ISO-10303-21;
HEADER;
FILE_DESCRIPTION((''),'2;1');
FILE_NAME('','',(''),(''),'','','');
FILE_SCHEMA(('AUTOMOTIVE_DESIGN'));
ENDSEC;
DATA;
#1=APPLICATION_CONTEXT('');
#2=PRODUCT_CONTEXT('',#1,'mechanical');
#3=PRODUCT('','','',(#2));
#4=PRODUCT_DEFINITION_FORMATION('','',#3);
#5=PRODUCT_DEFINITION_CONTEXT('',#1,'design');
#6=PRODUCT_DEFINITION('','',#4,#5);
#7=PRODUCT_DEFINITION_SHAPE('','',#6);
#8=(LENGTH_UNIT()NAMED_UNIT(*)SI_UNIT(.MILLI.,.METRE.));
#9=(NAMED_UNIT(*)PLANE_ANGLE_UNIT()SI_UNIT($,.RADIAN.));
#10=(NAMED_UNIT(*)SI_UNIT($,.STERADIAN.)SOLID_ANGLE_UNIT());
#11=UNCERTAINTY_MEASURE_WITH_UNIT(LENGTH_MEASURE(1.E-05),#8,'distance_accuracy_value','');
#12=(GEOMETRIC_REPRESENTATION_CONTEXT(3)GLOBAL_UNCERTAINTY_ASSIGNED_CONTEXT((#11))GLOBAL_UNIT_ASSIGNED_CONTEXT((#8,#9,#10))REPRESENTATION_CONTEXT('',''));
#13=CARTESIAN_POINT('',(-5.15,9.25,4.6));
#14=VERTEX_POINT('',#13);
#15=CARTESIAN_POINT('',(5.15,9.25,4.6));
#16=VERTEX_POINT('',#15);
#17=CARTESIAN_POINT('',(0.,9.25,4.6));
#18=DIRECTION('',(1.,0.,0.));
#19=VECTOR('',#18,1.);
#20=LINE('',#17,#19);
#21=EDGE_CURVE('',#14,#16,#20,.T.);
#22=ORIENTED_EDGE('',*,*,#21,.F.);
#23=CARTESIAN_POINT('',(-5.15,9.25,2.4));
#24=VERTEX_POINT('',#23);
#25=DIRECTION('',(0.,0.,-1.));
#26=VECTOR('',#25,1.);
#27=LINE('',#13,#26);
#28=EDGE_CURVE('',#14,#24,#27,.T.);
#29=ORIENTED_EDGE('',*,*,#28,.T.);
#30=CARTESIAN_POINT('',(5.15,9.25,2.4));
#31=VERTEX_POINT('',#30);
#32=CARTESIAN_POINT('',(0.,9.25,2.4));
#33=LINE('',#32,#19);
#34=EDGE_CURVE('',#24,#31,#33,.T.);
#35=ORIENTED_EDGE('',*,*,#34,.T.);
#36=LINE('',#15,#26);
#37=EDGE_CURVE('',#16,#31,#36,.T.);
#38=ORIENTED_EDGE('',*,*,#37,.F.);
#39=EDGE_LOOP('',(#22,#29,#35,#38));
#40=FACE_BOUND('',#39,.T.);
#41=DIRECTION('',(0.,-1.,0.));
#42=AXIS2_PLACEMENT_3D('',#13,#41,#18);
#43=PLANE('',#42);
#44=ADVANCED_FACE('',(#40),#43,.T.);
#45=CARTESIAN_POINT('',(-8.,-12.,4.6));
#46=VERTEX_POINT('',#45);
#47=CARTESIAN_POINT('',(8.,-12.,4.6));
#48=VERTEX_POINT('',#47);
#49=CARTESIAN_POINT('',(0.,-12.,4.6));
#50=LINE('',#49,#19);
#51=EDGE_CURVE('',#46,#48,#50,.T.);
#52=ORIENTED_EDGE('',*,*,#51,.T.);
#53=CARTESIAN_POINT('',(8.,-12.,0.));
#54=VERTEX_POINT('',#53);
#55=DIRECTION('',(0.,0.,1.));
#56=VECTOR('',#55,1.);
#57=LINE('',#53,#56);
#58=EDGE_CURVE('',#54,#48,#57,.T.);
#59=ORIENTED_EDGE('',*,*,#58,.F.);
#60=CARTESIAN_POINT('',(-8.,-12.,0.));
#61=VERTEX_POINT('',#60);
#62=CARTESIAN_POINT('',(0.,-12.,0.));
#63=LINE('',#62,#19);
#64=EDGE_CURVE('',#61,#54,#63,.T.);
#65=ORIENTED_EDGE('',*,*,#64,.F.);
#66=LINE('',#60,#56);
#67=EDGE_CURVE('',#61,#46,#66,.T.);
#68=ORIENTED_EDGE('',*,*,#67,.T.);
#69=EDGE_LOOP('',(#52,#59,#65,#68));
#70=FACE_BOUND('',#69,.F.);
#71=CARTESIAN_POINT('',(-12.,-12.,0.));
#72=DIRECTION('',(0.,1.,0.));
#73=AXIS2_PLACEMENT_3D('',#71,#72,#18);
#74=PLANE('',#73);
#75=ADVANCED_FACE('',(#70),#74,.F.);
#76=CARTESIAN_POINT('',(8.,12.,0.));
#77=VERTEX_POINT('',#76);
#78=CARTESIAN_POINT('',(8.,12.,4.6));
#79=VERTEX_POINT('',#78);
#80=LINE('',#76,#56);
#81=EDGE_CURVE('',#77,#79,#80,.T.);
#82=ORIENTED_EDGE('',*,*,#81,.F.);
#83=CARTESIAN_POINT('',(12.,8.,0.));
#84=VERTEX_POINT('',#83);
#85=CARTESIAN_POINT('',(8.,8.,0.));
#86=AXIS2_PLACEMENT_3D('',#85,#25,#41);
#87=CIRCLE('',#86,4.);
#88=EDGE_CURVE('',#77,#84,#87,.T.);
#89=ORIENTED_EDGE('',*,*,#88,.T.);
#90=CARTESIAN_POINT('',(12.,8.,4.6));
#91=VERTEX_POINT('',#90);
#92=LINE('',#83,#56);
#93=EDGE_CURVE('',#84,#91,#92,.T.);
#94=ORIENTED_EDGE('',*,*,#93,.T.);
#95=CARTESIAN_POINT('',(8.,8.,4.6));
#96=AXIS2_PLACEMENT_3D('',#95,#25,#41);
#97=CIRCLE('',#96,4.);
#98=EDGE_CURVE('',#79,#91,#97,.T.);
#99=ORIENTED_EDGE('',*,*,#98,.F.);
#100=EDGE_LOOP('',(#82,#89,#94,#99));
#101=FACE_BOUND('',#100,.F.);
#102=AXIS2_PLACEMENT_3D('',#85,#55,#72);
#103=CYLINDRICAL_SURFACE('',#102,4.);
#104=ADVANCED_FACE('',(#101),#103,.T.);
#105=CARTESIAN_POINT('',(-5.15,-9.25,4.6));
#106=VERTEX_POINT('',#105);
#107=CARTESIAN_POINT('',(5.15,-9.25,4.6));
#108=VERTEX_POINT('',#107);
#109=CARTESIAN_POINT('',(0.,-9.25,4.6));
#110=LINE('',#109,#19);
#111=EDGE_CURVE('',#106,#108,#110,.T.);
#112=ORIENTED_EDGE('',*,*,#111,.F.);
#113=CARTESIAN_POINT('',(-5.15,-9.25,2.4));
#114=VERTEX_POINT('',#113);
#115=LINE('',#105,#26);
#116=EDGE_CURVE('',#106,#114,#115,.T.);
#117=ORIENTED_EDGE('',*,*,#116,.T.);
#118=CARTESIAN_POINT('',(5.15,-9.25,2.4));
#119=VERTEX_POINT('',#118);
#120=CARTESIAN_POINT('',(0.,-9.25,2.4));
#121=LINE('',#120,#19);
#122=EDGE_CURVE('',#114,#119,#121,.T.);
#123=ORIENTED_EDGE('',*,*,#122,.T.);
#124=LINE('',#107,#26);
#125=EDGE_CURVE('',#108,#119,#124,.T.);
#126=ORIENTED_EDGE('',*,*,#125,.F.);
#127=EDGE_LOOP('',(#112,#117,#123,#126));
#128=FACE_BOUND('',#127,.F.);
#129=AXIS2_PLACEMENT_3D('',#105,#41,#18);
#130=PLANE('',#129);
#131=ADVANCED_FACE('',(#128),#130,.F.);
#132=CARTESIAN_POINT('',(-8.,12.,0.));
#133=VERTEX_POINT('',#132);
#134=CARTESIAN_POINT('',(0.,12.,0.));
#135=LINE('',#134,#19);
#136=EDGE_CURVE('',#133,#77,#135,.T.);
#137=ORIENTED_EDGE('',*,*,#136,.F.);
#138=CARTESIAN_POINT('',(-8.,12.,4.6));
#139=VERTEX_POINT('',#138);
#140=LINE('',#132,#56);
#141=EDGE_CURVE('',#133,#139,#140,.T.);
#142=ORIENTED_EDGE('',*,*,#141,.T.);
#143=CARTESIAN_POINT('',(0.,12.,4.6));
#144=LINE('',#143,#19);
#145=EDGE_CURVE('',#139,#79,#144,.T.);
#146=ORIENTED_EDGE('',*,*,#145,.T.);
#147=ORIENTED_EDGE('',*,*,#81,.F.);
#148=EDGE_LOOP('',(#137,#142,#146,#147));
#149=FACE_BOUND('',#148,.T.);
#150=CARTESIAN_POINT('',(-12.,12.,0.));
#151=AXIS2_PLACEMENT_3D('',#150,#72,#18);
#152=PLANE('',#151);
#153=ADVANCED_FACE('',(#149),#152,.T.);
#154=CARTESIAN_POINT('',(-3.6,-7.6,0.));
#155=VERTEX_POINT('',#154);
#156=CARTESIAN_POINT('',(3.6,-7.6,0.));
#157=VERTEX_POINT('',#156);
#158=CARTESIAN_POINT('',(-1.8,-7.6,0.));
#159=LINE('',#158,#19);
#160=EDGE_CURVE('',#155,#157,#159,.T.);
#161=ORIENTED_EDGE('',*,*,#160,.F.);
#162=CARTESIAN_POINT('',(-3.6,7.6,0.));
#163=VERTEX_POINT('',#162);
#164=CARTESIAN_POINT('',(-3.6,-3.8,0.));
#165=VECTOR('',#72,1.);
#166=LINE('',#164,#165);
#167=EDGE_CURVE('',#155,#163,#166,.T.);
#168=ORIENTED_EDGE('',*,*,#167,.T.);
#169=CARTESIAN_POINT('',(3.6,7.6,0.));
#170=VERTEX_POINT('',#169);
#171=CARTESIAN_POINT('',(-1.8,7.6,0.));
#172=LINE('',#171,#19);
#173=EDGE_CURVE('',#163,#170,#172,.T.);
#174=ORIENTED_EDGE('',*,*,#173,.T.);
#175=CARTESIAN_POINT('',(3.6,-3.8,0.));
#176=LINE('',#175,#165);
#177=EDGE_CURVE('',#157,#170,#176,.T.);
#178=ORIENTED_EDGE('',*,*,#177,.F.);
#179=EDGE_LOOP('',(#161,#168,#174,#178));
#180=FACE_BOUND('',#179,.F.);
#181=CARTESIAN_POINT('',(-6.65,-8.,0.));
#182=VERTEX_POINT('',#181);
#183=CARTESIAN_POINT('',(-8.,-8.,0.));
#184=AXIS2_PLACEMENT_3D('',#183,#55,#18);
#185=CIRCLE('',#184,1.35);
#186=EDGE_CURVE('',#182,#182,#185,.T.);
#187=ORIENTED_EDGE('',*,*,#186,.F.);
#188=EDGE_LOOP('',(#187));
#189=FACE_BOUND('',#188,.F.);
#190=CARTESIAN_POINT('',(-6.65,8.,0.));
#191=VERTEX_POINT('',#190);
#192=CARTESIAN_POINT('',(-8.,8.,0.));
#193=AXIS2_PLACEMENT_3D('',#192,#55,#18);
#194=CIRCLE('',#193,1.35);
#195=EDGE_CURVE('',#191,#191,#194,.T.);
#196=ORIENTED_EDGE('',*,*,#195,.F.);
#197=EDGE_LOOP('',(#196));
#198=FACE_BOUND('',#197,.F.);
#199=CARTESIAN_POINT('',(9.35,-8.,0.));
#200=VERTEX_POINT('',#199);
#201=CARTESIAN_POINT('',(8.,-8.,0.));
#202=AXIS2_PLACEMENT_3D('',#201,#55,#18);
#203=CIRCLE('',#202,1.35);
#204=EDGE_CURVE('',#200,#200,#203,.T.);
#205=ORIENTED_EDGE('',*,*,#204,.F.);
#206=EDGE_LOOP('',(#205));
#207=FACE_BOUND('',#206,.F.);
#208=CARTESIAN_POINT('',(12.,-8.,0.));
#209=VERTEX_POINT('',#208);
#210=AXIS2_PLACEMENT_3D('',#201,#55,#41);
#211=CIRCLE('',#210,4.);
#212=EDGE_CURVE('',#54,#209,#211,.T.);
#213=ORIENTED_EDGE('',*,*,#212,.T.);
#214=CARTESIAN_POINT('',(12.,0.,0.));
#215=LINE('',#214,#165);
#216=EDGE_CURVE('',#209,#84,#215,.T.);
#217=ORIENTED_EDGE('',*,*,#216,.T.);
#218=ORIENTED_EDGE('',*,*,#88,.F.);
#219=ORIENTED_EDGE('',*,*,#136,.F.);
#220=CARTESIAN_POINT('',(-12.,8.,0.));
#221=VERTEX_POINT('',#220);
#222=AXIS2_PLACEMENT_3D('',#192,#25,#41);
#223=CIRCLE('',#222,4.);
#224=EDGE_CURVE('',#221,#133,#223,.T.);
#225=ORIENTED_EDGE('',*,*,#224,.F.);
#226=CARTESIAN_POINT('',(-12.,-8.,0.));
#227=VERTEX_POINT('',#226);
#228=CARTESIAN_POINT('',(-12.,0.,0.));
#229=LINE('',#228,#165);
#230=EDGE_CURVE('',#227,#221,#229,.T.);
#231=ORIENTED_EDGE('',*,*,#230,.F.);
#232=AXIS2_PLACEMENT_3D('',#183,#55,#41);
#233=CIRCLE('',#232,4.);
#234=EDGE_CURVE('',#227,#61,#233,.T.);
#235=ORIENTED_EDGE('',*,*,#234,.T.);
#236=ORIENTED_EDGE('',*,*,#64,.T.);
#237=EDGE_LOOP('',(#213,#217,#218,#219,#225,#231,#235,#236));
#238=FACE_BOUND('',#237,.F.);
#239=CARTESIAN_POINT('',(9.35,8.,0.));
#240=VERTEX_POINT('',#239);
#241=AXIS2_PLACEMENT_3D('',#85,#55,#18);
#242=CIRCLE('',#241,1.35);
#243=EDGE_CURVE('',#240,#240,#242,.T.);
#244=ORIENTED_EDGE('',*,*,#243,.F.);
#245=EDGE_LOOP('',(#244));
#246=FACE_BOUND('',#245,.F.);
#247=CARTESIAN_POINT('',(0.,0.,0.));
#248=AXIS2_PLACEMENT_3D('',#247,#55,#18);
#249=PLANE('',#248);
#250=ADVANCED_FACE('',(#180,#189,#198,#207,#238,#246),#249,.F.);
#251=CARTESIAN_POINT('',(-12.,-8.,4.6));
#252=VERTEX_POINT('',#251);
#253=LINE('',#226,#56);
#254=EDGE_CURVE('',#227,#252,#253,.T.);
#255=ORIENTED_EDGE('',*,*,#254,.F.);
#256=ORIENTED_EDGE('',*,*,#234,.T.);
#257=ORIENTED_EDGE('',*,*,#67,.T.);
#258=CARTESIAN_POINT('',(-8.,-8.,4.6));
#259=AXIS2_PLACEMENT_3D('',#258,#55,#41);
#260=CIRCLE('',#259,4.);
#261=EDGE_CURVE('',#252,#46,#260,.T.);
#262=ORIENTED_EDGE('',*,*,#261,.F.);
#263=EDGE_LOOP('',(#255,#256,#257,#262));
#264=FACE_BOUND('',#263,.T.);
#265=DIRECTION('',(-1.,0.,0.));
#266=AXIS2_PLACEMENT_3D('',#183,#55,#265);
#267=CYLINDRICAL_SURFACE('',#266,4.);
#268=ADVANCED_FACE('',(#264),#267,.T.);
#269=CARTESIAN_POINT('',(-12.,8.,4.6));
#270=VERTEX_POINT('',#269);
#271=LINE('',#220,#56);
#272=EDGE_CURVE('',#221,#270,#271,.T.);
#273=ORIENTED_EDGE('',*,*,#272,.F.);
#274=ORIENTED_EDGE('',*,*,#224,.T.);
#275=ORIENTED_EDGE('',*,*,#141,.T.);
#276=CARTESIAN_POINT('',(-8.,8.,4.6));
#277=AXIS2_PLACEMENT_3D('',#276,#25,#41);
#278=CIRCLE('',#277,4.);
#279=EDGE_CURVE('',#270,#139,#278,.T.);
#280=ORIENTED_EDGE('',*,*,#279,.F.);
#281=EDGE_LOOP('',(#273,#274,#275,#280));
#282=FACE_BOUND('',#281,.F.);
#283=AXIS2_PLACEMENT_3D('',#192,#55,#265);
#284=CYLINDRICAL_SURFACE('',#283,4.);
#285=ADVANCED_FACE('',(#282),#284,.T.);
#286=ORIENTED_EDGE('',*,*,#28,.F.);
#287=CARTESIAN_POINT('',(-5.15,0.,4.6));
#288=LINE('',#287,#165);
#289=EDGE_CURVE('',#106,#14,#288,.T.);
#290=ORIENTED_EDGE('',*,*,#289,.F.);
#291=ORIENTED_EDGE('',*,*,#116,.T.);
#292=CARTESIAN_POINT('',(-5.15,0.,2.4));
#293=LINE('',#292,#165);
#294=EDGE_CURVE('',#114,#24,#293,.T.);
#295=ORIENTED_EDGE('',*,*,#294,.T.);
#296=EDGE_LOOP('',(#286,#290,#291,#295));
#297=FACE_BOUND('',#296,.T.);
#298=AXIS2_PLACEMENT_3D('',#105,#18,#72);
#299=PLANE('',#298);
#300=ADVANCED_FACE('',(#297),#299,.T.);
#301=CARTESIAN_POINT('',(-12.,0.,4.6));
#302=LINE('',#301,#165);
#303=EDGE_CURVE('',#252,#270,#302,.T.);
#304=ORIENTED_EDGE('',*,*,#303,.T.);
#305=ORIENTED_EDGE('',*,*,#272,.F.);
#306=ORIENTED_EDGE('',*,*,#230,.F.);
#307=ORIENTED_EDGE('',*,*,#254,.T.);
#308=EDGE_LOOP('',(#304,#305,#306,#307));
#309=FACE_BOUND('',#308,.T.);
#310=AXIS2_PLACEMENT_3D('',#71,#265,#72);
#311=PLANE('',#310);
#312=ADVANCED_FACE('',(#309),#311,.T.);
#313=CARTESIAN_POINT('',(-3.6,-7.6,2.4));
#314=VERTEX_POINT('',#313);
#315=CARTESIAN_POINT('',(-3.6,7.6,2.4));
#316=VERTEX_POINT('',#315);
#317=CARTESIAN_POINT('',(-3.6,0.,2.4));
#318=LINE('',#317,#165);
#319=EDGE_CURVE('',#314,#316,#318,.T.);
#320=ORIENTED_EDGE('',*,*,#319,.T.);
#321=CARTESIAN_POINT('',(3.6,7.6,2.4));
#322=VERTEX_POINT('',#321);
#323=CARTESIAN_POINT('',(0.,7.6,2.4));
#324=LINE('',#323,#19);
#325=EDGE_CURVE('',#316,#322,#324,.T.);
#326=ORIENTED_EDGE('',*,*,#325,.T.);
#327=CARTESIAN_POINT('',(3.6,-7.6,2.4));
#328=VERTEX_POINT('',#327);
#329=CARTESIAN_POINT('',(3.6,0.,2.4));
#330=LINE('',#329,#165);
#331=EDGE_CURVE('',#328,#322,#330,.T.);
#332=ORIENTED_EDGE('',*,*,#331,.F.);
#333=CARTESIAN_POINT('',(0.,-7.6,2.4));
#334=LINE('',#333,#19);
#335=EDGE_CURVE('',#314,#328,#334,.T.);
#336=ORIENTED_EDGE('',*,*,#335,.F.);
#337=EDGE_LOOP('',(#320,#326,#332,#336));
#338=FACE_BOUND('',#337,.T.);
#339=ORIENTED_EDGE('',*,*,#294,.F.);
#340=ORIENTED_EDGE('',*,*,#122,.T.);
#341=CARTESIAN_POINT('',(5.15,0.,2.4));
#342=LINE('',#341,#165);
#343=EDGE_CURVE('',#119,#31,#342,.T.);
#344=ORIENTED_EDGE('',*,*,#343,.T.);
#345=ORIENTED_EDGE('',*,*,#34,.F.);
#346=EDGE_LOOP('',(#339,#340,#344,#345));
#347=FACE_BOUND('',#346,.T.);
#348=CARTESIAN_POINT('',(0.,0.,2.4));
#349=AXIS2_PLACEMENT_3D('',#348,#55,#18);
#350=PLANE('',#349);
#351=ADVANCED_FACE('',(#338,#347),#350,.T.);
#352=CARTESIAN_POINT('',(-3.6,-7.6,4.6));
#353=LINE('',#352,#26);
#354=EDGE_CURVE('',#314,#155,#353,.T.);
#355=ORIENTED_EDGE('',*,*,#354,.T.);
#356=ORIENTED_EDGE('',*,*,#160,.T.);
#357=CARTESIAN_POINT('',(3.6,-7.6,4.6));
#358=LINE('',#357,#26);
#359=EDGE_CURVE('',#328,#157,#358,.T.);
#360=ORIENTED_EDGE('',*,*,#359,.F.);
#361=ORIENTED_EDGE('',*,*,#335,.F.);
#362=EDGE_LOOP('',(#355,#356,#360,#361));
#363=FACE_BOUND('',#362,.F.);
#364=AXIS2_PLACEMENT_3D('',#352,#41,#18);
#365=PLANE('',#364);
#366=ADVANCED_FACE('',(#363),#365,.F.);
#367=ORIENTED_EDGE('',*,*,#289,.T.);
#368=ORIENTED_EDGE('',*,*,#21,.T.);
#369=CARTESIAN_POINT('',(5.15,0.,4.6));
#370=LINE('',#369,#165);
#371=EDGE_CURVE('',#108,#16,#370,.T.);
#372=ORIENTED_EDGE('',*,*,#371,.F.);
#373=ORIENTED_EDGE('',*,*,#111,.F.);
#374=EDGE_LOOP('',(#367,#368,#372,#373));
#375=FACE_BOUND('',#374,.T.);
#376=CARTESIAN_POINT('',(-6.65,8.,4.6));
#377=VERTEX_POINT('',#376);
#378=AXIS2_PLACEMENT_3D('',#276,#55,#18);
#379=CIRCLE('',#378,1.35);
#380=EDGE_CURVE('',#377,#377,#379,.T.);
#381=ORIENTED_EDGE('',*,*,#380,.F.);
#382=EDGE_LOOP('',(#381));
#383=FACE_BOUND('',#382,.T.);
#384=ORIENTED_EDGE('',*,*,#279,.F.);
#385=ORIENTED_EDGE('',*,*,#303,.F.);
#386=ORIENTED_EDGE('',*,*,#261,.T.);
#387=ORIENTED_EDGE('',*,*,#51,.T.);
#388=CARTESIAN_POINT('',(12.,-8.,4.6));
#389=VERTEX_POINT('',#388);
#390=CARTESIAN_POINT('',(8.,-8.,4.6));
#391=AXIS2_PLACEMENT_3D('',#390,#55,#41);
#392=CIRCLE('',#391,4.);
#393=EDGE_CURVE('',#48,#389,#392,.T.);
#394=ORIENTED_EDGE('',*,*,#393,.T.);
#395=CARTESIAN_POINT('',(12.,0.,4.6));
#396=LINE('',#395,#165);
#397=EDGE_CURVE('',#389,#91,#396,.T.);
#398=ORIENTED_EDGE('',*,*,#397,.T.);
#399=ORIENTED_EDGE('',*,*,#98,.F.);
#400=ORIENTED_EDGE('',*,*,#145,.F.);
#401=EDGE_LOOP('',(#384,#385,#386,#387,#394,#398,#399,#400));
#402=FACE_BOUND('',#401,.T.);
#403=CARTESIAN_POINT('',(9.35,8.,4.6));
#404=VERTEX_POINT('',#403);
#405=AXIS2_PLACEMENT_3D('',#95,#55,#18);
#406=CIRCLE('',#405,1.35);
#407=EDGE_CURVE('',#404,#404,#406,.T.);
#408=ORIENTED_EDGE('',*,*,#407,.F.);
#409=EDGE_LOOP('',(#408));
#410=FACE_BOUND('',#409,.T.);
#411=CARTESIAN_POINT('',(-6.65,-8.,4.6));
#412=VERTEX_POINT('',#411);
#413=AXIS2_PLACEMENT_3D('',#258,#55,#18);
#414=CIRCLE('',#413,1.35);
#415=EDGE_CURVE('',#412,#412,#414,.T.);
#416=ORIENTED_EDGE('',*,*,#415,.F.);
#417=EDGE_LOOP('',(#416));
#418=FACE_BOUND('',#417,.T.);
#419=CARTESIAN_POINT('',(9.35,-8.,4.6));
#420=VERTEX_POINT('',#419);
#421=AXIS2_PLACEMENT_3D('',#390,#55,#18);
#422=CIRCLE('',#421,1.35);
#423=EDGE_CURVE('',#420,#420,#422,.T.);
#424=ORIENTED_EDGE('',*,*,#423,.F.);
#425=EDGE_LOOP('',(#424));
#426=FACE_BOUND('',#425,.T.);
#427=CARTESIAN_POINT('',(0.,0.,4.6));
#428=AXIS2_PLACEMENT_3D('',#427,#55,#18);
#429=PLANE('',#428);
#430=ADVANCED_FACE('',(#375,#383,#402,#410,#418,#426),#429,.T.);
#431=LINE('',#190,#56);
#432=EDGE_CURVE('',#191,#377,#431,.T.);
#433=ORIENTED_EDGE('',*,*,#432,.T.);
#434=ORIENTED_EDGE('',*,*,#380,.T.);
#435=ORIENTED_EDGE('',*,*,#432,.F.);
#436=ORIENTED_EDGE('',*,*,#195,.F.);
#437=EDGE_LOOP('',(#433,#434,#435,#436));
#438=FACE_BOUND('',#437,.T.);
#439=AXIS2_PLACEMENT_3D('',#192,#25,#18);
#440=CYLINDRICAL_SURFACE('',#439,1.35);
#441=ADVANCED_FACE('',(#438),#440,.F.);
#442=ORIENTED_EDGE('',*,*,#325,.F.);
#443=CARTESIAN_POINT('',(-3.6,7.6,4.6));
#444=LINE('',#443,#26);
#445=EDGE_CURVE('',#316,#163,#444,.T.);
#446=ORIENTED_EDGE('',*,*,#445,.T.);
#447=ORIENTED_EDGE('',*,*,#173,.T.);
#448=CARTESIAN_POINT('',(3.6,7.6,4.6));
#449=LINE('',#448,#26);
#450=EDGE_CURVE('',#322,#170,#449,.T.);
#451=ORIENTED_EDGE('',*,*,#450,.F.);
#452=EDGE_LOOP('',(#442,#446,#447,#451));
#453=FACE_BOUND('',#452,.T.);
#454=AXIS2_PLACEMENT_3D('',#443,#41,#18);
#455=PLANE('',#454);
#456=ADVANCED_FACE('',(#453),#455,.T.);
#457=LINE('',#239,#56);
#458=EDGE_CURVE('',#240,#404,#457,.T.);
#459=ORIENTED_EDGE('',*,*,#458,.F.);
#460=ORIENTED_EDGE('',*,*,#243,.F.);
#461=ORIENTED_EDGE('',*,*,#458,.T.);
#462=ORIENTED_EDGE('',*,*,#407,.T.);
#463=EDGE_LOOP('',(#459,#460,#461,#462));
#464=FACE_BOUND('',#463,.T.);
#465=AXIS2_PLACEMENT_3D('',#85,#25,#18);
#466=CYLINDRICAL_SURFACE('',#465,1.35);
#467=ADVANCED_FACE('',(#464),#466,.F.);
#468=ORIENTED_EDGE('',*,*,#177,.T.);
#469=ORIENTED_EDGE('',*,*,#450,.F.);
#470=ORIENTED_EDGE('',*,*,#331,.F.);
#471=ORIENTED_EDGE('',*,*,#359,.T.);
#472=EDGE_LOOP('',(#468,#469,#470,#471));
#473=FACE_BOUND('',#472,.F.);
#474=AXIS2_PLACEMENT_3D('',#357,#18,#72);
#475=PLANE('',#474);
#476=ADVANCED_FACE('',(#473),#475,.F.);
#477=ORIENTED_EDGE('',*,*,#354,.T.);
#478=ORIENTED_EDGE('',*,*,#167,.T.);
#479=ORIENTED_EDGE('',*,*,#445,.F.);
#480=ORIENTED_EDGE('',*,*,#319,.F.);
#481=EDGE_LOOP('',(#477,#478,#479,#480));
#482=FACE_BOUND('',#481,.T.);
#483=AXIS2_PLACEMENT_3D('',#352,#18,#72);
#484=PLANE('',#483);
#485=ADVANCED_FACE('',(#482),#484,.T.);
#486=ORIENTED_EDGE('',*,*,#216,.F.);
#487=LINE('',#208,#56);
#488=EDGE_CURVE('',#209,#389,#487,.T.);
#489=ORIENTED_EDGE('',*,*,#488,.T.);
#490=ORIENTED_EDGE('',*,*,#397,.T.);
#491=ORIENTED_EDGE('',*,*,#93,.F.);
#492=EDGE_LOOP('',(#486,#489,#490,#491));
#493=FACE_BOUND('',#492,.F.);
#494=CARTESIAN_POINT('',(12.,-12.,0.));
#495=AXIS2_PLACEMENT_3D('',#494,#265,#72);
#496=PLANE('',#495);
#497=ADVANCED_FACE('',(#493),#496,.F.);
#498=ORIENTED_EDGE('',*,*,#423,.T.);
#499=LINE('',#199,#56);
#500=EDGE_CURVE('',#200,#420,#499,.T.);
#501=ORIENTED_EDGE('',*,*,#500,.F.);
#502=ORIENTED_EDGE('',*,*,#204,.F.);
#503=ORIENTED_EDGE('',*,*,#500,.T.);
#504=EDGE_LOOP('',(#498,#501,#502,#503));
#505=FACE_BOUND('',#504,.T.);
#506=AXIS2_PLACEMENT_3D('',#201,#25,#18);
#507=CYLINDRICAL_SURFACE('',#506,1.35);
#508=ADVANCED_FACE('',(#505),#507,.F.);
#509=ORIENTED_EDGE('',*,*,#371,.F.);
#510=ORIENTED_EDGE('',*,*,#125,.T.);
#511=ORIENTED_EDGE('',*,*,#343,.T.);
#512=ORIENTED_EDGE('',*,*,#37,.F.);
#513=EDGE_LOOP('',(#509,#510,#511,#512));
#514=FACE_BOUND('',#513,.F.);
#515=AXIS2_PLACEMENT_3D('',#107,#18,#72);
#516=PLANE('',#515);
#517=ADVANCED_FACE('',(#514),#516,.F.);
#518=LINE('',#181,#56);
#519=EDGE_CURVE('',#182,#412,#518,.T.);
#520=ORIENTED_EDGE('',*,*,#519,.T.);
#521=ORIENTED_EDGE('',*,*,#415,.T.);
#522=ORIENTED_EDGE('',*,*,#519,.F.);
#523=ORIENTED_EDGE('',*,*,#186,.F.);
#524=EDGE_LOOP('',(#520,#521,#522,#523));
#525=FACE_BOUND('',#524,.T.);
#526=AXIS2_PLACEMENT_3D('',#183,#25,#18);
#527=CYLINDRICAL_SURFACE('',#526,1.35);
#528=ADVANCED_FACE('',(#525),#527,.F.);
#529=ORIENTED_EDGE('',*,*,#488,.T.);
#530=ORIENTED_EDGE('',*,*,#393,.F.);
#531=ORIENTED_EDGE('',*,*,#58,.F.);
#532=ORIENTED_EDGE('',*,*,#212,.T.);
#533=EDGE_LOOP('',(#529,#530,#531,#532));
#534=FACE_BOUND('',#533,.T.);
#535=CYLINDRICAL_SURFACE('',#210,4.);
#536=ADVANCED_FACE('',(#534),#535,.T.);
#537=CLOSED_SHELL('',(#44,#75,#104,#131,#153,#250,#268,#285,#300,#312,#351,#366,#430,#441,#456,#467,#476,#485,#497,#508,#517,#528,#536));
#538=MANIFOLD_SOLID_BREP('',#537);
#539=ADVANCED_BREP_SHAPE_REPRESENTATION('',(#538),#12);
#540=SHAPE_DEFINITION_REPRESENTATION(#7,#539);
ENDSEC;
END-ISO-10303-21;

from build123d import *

# Parameters (mm, degrees)
F0_W     = 24
F0_H     = 24
F0_R     = 1.35
F1_DEPTH = 4.6
F2_W     = 7.2
F2_H     = 15.2
F3_DEPTH = 4.601
F2_W_2   = 10.3
F2_H_2   = 18.5
F4_DEPTH = 2.2
F5_R     = 4


with BuildPart() as f1:
    # F0 (on Top) → F1 (new body)
    with BuildSketch(Plane.XY):
        Rectangle(F0_W, F0_H)
        with Locations((-8, -8)):
            Circle(F0_R, mode=Mode.SUBTRACT)
        with Locations((8, -8)):
            Circle(F0_R, mode=Mode.SUBTRACT)
        with Locations((-8, 8)):
            Circle(F0_R, mode=Mode.SUBTRACT)
        with Locations((8, 8)):
            Circle(F0_R, mode=Mode.SUBTRACT)
    extrude(amount=F1_DEPTH)

    # F2 (on face) → F3 (cut, through all)
    with BuildSketch(Plane.XY.offset(4.6)):
        Rectangle(F2_W, F2_H)
    extrude(amount=-F3_DEPTH, mode=Mode.SUBTRACT)

    # F2 (on face) → F4 (cut)
    with BuildSketch(Plane.XY.offset(4.6)):
        Rectangle(F2_W_2, F2_H_2)
        Rectangle(F2_W, F2_H, mode=Mode.SUBTRACT)
    extrude(amount=-F4_DEPTH, mode=Mode.SUBTRACT)

    # F5
    f5_edges = [f1.edges().sort_by_distance(p)[0] for p in [
        (-12, 12, 2.3),
        (12, 12, 2.3),
        (12, -12, 2.3),
        (-12, -12, 2.3),
    ]]
    fillet(f5_edges, radius=F5_R)


solid = f1.part
